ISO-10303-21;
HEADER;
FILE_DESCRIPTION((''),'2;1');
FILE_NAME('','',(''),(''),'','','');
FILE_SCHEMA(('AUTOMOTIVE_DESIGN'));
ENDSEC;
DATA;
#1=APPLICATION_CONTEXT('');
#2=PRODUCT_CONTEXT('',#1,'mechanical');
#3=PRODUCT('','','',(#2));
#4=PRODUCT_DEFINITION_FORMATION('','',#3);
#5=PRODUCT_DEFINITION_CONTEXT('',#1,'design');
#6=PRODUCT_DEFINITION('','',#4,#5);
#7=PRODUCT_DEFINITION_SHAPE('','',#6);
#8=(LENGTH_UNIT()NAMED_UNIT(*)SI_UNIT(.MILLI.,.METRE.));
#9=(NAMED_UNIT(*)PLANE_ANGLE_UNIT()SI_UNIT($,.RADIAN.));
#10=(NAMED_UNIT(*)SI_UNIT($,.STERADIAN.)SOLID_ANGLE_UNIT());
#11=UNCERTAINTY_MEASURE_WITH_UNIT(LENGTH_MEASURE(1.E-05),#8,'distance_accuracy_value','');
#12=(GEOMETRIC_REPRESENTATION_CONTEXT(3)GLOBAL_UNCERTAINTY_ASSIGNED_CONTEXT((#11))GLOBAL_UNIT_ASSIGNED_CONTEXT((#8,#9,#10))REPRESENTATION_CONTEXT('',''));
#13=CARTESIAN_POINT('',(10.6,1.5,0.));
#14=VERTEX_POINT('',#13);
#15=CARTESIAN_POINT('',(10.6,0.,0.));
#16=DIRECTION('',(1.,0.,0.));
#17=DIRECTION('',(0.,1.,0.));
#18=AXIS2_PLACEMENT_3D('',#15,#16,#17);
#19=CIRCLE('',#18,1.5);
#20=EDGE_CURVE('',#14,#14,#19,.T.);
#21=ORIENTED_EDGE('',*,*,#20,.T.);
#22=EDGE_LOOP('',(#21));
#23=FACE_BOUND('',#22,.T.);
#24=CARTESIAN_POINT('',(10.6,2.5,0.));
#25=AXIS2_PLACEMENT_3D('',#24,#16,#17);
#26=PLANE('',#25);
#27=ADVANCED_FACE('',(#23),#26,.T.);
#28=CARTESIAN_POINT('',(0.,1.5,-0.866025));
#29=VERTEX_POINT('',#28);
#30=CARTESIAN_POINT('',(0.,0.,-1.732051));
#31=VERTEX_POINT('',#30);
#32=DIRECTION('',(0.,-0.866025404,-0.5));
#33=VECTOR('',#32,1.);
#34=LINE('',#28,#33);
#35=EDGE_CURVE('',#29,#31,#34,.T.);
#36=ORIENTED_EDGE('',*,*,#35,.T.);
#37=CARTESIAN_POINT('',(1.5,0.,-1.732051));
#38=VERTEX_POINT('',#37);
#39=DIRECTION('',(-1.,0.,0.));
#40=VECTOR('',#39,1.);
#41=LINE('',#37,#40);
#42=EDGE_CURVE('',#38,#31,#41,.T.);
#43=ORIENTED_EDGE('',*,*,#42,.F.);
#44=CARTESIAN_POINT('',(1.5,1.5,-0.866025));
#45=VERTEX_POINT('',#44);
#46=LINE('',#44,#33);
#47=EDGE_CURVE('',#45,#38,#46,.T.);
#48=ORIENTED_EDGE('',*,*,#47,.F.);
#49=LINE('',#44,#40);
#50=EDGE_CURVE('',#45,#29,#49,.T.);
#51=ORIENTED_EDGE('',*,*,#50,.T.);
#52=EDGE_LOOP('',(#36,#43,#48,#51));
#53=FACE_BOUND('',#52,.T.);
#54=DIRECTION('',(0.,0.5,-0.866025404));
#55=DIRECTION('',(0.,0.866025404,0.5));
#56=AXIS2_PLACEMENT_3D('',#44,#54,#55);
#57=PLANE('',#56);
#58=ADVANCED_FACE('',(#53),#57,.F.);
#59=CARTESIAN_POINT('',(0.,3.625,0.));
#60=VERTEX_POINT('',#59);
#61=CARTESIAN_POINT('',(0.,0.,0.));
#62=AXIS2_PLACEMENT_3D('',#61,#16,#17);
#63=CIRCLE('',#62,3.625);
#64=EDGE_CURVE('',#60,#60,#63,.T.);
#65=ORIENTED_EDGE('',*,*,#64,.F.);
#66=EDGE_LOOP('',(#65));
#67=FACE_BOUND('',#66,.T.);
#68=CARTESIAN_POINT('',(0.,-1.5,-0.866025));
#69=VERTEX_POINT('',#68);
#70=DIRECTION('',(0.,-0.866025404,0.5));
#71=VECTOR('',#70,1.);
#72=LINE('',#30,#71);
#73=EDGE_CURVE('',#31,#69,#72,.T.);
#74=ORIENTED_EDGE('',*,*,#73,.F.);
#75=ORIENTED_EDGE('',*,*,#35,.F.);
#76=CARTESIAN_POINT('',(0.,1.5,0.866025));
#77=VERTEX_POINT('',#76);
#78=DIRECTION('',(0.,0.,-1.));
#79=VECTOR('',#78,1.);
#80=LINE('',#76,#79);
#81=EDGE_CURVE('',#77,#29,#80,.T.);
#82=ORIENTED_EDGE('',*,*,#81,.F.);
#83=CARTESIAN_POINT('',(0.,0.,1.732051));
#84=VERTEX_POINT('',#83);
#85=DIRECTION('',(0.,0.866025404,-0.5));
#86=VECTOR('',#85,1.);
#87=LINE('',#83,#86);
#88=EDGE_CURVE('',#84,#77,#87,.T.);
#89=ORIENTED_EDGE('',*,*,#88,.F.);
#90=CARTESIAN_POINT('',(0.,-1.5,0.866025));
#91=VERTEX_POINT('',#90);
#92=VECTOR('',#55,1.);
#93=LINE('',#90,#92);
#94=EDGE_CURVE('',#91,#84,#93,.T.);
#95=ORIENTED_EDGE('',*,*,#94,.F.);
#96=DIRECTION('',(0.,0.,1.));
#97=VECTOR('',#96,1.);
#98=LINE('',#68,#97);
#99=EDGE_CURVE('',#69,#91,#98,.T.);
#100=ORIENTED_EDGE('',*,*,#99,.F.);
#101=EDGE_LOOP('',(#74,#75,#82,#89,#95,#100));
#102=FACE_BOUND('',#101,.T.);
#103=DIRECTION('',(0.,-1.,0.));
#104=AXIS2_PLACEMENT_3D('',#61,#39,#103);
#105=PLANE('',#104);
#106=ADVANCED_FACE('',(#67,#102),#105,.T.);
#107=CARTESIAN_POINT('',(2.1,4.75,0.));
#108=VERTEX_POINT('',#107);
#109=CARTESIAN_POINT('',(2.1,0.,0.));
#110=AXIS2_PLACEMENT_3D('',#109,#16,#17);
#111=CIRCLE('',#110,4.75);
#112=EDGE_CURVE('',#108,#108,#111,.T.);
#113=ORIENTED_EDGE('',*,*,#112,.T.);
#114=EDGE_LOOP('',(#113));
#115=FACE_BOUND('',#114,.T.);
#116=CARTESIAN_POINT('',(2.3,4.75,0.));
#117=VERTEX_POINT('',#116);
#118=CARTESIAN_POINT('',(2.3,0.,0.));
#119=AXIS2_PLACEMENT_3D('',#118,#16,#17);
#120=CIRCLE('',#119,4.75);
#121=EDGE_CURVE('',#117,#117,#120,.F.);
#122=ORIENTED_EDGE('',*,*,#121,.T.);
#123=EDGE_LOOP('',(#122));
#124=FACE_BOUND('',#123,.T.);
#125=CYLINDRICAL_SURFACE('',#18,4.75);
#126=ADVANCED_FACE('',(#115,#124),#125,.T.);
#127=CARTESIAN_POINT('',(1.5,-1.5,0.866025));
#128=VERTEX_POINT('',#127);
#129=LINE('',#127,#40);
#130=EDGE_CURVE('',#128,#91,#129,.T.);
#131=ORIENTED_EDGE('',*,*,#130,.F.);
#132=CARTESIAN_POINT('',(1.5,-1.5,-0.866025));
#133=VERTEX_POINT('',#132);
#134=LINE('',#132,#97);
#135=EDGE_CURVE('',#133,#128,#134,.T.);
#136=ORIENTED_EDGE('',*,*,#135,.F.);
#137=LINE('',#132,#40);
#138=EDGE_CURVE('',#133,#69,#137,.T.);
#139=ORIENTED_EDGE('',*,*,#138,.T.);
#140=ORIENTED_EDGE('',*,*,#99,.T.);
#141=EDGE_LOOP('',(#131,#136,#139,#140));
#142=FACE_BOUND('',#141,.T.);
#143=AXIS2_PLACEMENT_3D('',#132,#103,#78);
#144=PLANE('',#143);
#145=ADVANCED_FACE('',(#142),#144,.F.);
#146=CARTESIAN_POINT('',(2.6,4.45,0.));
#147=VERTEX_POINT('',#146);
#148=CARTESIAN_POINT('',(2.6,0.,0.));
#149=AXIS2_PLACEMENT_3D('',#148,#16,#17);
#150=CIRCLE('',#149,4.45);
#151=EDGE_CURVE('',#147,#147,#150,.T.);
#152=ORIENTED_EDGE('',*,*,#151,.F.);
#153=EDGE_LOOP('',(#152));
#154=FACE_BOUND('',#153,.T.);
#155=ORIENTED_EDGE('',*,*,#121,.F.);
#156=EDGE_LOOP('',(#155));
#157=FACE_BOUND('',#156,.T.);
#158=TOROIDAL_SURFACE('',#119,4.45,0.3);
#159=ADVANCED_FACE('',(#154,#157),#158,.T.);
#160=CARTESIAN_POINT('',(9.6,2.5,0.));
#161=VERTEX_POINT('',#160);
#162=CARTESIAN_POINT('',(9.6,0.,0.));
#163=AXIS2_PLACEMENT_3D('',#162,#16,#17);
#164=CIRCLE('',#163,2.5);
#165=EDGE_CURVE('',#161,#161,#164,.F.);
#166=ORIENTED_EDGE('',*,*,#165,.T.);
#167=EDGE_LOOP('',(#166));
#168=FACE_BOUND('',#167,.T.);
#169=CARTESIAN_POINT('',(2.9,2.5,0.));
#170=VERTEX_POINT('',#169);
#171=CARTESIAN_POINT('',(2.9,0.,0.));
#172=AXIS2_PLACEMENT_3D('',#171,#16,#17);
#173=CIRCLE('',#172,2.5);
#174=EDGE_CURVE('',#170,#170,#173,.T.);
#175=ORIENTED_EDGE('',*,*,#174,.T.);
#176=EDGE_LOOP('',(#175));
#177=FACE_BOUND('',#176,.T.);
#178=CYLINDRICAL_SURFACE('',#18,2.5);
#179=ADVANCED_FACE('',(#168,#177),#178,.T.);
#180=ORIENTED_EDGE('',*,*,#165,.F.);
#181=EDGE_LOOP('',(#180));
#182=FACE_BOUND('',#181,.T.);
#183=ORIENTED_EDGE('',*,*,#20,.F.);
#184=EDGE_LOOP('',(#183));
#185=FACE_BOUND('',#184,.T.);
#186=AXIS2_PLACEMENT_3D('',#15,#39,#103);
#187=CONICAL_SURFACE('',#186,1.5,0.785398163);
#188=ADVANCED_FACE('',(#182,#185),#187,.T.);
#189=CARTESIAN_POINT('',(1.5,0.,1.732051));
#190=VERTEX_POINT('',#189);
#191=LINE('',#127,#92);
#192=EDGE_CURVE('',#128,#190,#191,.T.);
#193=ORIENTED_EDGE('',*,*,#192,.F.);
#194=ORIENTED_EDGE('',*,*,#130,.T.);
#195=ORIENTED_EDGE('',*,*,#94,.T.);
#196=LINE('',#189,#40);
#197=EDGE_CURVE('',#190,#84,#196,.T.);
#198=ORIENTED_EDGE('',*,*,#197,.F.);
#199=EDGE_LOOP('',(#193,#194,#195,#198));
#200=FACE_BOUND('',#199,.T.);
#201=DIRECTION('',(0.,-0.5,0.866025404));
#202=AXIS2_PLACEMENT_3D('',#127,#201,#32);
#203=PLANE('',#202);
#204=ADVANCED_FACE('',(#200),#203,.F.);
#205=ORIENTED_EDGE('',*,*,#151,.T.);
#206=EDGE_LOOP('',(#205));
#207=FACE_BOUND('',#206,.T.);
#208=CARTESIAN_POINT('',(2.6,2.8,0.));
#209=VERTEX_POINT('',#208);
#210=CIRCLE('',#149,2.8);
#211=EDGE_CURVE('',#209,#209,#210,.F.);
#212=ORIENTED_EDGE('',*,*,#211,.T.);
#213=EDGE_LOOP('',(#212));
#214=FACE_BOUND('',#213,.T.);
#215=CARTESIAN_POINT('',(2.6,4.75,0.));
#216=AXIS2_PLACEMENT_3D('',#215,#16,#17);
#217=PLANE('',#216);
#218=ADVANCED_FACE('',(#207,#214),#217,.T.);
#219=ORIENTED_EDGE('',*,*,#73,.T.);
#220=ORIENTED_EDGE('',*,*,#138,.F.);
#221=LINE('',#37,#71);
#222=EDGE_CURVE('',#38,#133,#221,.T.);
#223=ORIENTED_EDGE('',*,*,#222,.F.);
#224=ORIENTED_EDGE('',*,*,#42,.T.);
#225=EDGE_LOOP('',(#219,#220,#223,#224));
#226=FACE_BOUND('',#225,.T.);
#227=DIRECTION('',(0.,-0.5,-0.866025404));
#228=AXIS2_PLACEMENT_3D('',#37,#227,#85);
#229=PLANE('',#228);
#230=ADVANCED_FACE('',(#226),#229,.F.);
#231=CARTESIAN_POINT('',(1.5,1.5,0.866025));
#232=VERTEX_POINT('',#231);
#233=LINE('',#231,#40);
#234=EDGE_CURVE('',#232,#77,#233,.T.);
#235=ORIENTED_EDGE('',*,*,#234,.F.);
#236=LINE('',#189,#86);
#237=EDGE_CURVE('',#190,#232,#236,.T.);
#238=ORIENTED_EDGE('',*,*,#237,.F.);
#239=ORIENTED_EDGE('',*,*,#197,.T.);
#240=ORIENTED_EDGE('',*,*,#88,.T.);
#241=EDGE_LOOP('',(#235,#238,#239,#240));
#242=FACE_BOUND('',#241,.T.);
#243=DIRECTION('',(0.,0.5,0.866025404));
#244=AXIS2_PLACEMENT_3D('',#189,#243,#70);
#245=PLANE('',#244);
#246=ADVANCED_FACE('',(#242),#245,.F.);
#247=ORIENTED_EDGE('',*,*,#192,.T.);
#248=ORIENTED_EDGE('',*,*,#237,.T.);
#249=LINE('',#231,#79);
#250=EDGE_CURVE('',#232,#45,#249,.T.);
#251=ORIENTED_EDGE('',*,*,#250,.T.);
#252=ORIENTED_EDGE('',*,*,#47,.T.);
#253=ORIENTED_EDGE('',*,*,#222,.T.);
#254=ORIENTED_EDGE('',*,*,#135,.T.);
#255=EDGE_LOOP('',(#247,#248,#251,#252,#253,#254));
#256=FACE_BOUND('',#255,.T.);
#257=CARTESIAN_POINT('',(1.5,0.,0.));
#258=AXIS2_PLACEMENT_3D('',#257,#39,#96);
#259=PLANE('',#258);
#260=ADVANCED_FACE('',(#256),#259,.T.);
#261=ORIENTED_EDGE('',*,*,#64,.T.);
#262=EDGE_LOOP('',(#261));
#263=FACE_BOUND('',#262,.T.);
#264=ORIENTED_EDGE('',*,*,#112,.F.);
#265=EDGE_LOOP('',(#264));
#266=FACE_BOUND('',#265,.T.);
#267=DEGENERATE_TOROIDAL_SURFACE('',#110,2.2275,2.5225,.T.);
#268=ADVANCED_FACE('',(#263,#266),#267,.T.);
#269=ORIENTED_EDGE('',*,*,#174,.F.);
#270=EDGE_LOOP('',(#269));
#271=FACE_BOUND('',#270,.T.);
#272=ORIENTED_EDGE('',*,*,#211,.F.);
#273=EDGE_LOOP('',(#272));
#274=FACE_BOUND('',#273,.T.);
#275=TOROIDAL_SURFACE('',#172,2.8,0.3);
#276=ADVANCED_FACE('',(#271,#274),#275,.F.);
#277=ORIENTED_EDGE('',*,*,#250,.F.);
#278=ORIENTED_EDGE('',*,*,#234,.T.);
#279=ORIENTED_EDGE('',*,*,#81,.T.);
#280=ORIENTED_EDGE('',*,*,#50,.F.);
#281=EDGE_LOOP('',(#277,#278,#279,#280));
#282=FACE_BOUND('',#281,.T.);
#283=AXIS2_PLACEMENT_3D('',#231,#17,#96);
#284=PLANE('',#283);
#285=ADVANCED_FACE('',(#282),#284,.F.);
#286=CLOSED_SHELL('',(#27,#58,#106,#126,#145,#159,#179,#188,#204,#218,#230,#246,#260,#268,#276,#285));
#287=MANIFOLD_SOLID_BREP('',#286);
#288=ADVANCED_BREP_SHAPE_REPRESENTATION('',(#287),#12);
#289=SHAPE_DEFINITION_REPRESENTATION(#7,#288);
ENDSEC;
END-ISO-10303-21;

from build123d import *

# Parameters (mm, degrees)
CUT_EXTRUDE_1_DEPTH = 1.5
FILLET_1_R          = 0.3
CHAMFER_1_SIZE      = 1


with BuildPart() as part:
    # Эскиз1 → Повернуть1 (revolve)
    with BuildSketch(Plane.XY):
        with BuildLine():
            Line((0, 0), (0, 3.625))
            ThreePointArc((0, 3.625), (0.908821487, 4.451033224), (2.1, 4.75))
            Line((2.1, 4.75), (2.6, 4.75))
            Line((2.6, 4.75), (2.6, 2.5))
            Line((2.6, 2.5), (10.6, 2.5))
            Line((10.6, 2.5), (10.6, 0))
            Line((10.6, 0), (0, 0))
        make_face()
    revolve(axis=Axis((10.6, 0, 0), (-1, 0, 0)))

    # Эскиз2 → Вырез-Вытянуть1 (cut)
    with BuildSketch(Plane.ZY):
        Polygon((0.866025404, 1.5), (-0.866025404, 1.5), (-1.732050808, 0), (-0.866025404, -1.5), (0.866025404, -1.5), (1.732050808, 0), align=None)
    extrude(amount=-CUT_EXTRUDE_1_DEPTH, mode=Mode.SUBTRACT)

    # Скругление1
    fillet_1_edges = [part.edges().sort_by_distance(p)[0] for p in [
        (2.6, -2.5, 0),
        (2.6, -4.75, 0),
    ]]
    fillet(fillet_1_edges, radius=FILLET_1_R)

    # Фаска1
    chamfer_1_edges = [part.edges().sort_by_distance(p)[0] for p in [
        (10.6, -2.5, 0),
    ]]
    chamfer(chamfer_1_edges, length=CHAMFER_1_SIZE)


solid = part.part
